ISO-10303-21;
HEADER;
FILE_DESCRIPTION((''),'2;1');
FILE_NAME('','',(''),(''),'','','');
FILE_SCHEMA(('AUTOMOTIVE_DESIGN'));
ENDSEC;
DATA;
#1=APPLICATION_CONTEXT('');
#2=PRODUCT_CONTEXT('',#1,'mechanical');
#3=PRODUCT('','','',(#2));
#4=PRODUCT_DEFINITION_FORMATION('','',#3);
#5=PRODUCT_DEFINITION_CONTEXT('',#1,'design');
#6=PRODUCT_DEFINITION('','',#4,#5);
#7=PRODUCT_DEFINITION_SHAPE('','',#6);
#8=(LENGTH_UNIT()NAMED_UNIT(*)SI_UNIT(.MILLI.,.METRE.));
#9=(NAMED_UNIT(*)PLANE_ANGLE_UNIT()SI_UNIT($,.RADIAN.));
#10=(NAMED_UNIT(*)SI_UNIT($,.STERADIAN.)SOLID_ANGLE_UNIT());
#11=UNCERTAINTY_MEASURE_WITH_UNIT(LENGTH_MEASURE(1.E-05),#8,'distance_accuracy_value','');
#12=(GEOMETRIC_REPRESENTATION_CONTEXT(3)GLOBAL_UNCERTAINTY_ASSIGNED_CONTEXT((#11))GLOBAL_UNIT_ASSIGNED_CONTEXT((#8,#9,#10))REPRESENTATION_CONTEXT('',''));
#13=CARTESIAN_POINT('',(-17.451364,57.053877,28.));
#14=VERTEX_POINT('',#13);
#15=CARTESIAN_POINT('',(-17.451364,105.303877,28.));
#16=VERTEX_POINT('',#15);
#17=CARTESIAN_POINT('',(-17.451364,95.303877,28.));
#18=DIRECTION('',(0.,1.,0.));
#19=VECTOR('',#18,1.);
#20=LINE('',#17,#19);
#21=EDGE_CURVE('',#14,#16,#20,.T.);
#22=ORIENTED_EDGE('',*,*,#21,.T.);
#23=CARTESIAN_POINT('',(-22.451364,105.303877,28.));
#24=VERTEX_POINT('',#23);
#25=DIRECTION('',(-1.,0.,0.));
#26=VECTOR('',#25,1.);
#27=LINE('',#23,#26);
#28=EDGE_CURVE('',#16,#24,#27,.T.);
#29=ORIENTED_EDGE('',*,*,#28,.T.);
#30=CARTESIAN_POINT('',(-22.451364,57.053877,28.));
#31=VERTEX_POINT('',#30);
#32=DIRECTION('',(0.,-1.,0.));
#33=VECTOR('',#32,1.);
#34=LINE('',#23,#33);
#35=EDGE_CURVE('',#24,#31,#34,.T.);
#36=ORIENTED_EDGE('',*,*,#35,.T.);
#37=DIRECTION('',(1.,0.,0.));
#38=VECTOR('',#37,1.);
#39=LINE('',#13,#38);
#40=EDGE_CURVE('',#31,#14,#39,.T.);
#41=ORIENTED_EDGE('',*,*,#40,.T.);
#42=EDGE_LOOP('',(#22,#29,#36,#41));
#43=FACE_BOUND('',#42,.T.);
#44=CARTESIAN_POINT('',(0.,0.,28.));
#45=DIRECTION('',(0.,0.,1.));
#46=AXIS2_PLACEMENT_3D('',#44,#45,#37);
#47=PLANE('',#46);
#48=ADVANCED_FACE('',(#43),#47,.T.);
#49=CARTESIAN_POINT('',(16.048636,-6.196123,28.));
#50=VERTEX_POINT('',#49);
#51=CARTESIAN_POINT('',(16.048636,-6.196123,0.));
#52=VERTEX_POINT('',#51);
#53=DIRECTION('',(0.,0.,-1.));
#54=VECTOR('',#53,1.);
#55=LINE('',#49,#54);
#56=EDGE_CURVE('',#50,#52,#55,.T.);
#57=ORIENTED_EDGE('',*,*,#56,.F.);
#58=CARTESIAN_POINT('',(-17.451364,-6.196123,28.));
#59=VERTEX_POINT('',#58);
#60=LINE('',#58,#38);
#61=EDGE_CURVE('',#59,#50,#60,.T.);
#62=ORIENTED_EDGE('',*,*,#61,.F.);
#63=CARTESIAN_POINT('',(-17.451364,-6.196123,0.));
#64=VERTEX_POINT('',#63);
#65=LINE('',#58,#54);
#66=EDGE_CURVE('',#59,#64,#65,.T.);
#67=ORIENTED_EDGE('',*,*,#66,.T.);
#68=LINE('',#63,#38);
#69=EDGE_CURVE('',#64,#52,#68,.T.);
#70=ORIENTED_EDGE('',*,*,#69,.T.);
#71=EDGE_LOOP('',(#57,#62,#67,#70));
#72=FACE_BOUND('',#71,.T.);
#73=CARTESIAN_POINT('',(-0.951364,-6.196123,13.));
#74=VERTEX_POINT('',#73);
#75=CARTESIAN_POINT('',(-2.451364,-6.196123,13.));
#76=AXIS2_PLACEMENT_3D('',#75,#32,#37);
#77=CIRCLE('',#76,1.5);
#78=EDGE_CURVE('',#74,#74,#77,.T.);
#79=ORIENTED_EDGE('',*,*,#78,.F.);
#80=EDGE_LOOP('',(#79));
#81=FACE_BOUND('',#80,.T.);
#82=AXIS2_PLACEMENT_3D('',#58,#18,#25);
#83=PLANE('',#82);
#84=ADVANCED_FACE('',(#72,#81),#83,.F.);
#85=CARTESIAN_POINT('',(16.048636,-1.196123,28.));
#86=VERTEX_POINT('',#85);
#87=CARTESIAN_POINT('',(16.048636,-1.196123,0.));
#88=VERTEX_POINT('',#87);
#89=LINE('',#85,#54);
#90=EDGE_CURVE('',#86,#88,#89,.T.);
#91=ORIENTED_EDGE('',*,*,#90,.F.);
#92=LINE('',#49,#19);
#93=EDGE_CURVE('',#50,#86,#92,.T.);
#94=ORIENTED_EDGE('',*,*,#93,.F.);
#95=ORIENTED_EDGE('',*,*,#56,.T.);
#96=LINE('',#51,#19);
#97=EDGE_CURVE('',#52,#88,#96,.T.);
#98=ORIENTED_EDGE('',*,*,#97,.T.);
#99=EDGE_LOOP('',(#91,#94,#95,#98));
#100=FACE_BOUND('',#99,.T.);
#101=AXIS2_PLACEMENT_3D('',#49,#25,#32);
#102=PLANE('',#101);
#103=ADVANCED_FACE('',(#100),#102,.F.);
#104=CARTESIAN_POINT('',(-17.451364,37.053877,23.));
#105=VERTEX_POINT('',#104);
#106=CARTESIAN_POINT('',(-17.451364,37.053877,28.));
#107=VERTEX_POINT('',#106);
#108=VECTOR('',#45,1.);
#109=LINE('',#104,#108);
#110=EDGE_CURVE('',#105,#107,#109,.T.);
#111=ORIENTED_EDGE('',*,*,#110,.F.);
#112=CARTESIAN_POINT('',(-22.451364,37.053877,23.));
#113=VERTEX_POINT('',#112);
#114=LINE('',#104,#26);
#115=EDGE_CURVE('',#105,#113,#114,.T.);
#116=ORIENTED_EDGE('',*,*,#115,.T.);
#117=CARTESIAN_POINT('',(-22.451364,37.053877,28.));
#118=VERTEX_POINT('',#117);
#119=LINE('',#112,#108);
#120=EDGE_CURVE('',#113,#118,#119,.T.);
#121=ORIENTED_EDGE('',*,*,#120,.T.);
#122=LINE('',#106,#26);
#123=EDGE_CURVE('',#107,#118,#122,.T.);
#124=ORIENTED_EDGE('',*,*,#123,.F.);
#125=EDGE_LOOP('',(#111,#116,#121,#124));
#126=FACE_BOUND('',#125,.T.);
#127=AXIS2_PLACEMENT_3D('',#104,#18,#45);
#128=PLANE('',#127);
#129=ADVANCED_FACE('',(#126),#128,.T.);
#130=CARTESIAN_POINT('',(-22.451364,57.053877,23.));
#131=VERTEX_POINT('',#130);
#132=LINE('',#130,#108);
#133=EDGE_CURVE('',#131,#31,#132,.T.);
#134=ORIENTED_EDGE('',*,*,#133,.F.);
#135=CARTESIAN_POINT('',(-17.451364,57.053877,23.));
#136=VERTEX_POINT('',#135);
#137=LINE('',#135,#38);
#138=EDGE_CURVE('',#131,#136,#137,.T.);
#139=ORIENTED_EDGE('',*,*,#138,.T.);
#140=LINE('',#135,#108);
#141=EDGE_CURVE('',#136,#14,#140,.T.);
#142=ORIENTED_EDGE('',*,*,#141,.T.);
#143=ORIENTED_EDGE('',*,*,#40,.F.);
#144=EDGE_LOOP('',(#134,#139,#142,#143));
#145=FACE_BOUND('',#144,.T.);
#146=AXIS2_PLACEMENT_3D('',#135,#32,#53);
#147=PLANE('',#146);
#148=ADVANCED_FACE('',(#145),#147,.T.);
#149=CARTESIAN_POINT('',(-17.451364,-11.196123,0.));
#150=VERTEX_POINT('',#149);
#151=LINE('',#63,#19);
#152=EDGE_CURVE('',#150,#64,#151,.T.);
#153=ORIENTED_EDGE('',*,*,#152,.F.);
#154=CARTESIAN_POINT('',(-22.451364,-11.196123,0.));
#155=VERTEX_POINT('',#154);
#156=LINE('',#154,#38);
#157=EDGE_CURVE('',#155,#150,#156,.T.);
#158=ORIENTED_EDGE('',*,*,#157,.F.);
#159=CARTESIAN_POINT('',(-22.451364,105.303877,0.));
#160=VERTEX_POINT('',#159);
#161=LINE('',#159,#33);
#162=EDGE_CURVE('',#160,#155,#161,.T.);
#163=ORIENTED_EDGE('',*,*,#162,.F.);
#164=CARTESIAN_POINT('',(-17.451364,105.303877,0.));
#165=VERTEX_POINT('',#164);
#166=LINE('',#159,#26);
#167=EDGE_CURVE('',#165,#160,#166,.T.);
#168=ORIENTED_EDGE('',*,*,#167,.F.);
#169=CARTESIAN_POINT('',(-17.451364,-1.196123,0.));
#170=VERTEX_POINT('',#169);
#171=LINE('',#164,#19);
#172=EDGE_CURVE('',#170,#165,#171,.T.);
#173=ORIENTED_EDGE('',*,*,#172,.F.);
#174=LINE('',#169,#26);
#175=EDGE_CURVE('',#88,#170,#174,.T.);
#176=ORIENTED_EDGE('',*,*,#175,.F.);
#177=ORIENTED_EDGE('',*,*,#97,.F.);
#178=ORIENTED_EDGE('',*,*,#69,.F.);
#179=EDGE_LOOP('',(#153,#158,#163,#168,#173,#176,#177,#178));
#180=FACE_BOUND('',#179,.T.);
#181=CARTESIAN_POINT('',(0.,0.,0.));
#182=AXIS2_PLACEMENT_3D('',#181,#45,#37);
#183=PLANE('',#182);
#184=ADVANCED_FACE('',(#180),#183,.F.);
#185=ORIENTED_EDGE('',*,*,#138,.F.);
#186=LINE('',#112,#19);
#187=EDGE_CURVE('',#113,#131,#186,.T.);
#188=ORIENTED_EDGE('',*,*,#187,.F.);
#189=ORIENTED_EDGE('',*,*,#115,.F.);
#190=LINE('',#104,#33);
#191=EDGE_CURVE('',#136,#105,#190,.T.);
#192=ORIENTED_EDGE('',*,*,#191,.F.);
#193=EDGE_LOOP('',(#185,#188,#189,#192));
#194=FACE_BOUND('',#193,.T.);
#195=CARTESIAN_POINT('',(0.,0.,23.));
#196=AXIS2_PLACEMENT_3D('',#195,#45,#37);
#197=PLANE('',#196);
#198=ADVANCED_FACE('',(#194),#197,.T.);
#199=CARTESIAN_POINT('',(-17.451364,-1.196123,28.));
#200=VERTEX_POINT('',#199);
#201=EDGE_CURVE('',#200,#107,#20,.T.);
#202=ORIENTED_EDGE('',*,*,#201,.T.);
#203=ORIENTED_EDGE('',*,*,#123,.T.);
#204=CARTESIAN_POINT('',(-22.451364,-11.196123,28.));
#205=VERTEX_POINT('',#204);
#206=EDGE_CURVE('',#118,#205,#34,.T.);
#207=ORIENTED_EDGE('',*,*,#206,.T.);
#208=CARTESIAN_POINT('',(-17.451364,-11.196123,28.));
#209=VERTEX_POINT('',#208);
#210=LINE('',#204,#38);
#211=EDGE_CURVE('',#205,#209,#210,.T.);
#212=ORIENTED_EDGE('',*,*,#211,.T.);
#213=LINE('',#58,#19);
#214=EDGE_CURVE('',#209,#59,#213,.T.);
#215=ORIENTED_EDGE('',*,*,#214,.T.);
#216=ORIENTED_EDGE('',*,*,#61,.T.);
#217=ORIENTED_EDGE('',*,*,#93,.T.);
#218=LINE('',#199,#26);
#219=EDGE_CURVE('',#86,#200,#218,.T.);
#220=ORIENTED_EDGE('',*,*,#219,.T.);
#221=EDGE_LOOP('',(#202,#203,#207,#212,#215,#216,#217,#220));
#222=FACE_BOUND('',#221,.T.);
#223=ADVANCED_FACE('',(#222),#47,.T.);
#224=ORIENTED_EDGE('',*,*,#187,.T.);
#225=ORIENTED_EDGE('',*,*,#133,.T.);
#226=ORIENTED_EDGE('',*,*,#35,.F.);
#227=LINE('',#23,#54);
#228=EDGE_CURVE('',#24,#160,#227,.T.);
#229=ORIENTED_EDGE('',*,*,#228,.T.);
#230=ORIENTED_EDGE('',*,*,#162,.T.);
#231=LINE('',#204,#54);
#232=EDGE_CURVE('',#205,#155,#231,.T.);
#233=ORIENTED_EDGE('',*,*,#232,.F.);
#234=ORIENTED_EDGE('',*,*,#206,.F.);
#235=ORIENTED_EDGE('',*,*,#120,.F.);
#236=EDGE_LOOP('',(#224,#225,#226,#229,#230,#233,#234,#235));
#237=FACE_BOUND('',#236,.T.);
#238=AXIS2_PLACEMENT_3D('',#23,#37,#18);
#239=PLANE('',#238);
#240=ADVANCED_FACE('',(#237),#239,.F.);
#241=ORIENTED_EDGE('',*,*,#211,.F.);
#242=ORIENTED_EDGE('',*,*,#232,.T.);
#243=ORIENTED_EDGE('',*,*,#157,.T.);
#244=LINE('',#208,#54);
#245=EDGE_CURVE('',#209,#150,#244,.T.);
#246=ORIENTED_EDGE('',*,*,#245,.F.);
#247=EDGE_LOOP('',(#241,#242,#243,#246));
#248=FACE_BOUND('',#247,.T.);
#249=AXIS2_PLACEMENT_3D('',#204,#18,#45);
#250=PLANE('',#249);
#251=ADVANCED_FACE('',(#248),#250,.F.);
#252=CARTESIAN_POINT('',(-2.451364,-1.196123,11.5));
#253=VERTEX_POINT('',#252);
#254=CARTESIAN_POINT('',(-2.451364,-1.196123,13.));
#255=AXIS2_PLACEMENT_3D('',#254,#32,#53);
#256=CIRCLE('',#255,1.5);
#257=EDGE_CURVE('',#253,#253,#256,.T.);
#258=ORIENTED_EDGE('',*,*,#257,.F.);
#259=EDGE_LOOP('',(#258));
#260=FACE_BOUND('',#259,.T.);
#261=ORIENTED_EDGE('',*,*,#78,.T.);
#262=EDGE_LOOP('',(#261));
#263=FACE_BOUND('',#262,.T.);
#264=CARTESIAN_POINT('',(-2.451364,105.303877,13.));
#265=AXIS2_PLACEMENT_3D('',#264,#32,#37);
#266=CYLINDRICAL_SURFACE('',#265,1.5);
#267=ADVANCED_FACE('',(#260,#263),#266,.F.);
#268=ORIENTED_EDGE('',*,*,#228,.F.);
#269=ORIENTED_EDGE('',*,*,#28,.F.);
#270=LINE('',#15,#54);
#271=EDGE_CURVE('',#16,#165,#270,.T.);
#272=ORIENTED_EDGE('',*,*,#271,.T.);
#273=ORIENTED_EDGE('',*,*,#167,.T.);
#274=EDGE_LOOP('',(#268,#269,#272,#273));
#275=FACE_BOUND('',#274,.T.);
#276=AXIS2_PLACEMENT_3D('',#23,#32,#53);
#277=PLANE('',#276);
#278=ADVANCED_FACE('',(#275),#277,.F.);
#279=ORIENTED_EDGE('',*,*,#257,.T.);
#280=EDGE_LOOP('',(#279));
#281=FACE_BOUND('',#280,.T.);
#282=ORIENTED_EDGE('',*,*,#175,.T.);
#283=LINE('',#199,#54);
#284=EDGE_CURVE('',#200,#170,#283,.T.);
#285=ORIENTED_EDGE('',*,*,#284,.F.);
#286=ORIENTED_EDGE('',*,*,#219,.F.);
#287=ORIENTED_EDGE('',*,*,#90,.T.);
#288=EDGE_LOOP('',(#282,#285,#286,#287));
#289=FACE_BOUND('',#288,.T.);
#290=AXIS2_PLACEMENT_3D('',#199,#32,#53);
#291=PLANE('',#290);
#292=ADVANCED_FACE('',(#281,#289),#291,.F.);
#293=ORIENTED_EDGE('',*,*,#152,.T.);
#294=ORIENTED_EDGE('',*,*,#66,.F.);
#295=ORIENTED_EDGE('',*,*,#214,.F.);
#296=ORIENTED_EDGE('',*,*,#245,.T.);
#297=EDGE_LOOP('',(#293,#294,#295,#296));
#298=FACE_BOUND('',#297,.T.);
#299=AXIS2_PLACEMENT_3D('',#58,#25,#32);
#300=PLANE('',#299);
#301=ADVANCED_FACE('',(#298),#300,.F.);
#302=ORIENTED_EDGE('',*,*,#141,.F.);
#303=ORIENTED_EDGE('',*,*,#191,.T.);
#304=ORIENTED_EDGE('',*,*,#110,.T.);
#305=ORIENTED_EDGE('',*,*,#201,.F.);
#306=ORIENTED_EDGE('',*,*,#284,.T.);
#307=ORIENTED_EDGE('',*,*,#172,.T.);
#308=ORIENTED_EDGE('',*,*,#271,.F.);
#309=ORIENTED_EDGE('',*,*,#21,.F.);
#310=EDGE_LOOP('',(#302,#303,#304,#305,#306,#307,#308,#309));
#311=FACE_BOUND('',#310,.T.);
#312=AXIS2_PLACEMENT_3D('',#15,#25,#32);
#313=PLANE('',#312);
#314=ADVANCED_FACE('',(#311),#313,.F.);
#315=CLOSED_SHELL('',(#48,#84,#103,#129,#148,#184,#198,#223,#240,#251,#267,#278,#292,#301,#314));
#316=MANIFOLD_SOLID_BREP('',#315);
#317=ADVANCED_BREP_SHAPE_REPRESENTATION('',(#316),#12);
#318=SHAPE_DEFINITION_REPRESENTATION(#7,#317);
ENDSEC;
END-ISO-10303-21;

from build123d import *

# Parameters (mm, degrees)
EXTRUDE_1_DEPTH     = 28
SKETCH_2_W          = 5
SKETCH_2_H          = 20
CUT_EXTRUDE_1_DEPTH = 5
SKETCH_3_R          = 1.5
CUT_EXTRUDE_2_DEPTH = 118.133742985


with BuildPart() as part:
    # 草圖1 → 填料-伸長1 (new body)
    with BuildSketch(Plane.XY):
        Polygon((-17.451364004, -6.196122823), (-17.451364004, -11.196122823), (-22.451364004, -11.196122823), (-22.451364004, 105.303877177), (-17.451364004, 105.303877177), (-17.451364004, 100.303877177), (-17.451364004, 95.303877177), (-17.451364004, -1.196122823), (16.048635996, -1.196122823), (16.048635996, -6.196122823), align=None)
    extrude(amount=EXTRUDE_1_DEPTH)

    # 草圖2 → 除料-伸長1 (cut)
    with BuildSketch(Plane(origin=(0, 0, 28), x_dir=(-1, 0, 0), z_dir=(0, 0, -1))):
        with Locations((19.951364004, 47.053877177)):
            Rectangle(SKETCH_2_W, SKETCH_2_H)
    extrude(amount=CUT_EXTRUDE_1_DEPTH, mode=Mode.SUBTRACT)

    # 草圖3 → 除料-伸長2 (cut, through all)
    with BuildSketch(Plane.XZ.offset(6.196122823)):
        with Locations((-2.451364004, 13)):
            Circle(SKETCH_3_R)
    extrude(amount=-CUT_EXTRUDE_2_DEPTH, mode=Mode.SUBTRACT)


solid = part.part
